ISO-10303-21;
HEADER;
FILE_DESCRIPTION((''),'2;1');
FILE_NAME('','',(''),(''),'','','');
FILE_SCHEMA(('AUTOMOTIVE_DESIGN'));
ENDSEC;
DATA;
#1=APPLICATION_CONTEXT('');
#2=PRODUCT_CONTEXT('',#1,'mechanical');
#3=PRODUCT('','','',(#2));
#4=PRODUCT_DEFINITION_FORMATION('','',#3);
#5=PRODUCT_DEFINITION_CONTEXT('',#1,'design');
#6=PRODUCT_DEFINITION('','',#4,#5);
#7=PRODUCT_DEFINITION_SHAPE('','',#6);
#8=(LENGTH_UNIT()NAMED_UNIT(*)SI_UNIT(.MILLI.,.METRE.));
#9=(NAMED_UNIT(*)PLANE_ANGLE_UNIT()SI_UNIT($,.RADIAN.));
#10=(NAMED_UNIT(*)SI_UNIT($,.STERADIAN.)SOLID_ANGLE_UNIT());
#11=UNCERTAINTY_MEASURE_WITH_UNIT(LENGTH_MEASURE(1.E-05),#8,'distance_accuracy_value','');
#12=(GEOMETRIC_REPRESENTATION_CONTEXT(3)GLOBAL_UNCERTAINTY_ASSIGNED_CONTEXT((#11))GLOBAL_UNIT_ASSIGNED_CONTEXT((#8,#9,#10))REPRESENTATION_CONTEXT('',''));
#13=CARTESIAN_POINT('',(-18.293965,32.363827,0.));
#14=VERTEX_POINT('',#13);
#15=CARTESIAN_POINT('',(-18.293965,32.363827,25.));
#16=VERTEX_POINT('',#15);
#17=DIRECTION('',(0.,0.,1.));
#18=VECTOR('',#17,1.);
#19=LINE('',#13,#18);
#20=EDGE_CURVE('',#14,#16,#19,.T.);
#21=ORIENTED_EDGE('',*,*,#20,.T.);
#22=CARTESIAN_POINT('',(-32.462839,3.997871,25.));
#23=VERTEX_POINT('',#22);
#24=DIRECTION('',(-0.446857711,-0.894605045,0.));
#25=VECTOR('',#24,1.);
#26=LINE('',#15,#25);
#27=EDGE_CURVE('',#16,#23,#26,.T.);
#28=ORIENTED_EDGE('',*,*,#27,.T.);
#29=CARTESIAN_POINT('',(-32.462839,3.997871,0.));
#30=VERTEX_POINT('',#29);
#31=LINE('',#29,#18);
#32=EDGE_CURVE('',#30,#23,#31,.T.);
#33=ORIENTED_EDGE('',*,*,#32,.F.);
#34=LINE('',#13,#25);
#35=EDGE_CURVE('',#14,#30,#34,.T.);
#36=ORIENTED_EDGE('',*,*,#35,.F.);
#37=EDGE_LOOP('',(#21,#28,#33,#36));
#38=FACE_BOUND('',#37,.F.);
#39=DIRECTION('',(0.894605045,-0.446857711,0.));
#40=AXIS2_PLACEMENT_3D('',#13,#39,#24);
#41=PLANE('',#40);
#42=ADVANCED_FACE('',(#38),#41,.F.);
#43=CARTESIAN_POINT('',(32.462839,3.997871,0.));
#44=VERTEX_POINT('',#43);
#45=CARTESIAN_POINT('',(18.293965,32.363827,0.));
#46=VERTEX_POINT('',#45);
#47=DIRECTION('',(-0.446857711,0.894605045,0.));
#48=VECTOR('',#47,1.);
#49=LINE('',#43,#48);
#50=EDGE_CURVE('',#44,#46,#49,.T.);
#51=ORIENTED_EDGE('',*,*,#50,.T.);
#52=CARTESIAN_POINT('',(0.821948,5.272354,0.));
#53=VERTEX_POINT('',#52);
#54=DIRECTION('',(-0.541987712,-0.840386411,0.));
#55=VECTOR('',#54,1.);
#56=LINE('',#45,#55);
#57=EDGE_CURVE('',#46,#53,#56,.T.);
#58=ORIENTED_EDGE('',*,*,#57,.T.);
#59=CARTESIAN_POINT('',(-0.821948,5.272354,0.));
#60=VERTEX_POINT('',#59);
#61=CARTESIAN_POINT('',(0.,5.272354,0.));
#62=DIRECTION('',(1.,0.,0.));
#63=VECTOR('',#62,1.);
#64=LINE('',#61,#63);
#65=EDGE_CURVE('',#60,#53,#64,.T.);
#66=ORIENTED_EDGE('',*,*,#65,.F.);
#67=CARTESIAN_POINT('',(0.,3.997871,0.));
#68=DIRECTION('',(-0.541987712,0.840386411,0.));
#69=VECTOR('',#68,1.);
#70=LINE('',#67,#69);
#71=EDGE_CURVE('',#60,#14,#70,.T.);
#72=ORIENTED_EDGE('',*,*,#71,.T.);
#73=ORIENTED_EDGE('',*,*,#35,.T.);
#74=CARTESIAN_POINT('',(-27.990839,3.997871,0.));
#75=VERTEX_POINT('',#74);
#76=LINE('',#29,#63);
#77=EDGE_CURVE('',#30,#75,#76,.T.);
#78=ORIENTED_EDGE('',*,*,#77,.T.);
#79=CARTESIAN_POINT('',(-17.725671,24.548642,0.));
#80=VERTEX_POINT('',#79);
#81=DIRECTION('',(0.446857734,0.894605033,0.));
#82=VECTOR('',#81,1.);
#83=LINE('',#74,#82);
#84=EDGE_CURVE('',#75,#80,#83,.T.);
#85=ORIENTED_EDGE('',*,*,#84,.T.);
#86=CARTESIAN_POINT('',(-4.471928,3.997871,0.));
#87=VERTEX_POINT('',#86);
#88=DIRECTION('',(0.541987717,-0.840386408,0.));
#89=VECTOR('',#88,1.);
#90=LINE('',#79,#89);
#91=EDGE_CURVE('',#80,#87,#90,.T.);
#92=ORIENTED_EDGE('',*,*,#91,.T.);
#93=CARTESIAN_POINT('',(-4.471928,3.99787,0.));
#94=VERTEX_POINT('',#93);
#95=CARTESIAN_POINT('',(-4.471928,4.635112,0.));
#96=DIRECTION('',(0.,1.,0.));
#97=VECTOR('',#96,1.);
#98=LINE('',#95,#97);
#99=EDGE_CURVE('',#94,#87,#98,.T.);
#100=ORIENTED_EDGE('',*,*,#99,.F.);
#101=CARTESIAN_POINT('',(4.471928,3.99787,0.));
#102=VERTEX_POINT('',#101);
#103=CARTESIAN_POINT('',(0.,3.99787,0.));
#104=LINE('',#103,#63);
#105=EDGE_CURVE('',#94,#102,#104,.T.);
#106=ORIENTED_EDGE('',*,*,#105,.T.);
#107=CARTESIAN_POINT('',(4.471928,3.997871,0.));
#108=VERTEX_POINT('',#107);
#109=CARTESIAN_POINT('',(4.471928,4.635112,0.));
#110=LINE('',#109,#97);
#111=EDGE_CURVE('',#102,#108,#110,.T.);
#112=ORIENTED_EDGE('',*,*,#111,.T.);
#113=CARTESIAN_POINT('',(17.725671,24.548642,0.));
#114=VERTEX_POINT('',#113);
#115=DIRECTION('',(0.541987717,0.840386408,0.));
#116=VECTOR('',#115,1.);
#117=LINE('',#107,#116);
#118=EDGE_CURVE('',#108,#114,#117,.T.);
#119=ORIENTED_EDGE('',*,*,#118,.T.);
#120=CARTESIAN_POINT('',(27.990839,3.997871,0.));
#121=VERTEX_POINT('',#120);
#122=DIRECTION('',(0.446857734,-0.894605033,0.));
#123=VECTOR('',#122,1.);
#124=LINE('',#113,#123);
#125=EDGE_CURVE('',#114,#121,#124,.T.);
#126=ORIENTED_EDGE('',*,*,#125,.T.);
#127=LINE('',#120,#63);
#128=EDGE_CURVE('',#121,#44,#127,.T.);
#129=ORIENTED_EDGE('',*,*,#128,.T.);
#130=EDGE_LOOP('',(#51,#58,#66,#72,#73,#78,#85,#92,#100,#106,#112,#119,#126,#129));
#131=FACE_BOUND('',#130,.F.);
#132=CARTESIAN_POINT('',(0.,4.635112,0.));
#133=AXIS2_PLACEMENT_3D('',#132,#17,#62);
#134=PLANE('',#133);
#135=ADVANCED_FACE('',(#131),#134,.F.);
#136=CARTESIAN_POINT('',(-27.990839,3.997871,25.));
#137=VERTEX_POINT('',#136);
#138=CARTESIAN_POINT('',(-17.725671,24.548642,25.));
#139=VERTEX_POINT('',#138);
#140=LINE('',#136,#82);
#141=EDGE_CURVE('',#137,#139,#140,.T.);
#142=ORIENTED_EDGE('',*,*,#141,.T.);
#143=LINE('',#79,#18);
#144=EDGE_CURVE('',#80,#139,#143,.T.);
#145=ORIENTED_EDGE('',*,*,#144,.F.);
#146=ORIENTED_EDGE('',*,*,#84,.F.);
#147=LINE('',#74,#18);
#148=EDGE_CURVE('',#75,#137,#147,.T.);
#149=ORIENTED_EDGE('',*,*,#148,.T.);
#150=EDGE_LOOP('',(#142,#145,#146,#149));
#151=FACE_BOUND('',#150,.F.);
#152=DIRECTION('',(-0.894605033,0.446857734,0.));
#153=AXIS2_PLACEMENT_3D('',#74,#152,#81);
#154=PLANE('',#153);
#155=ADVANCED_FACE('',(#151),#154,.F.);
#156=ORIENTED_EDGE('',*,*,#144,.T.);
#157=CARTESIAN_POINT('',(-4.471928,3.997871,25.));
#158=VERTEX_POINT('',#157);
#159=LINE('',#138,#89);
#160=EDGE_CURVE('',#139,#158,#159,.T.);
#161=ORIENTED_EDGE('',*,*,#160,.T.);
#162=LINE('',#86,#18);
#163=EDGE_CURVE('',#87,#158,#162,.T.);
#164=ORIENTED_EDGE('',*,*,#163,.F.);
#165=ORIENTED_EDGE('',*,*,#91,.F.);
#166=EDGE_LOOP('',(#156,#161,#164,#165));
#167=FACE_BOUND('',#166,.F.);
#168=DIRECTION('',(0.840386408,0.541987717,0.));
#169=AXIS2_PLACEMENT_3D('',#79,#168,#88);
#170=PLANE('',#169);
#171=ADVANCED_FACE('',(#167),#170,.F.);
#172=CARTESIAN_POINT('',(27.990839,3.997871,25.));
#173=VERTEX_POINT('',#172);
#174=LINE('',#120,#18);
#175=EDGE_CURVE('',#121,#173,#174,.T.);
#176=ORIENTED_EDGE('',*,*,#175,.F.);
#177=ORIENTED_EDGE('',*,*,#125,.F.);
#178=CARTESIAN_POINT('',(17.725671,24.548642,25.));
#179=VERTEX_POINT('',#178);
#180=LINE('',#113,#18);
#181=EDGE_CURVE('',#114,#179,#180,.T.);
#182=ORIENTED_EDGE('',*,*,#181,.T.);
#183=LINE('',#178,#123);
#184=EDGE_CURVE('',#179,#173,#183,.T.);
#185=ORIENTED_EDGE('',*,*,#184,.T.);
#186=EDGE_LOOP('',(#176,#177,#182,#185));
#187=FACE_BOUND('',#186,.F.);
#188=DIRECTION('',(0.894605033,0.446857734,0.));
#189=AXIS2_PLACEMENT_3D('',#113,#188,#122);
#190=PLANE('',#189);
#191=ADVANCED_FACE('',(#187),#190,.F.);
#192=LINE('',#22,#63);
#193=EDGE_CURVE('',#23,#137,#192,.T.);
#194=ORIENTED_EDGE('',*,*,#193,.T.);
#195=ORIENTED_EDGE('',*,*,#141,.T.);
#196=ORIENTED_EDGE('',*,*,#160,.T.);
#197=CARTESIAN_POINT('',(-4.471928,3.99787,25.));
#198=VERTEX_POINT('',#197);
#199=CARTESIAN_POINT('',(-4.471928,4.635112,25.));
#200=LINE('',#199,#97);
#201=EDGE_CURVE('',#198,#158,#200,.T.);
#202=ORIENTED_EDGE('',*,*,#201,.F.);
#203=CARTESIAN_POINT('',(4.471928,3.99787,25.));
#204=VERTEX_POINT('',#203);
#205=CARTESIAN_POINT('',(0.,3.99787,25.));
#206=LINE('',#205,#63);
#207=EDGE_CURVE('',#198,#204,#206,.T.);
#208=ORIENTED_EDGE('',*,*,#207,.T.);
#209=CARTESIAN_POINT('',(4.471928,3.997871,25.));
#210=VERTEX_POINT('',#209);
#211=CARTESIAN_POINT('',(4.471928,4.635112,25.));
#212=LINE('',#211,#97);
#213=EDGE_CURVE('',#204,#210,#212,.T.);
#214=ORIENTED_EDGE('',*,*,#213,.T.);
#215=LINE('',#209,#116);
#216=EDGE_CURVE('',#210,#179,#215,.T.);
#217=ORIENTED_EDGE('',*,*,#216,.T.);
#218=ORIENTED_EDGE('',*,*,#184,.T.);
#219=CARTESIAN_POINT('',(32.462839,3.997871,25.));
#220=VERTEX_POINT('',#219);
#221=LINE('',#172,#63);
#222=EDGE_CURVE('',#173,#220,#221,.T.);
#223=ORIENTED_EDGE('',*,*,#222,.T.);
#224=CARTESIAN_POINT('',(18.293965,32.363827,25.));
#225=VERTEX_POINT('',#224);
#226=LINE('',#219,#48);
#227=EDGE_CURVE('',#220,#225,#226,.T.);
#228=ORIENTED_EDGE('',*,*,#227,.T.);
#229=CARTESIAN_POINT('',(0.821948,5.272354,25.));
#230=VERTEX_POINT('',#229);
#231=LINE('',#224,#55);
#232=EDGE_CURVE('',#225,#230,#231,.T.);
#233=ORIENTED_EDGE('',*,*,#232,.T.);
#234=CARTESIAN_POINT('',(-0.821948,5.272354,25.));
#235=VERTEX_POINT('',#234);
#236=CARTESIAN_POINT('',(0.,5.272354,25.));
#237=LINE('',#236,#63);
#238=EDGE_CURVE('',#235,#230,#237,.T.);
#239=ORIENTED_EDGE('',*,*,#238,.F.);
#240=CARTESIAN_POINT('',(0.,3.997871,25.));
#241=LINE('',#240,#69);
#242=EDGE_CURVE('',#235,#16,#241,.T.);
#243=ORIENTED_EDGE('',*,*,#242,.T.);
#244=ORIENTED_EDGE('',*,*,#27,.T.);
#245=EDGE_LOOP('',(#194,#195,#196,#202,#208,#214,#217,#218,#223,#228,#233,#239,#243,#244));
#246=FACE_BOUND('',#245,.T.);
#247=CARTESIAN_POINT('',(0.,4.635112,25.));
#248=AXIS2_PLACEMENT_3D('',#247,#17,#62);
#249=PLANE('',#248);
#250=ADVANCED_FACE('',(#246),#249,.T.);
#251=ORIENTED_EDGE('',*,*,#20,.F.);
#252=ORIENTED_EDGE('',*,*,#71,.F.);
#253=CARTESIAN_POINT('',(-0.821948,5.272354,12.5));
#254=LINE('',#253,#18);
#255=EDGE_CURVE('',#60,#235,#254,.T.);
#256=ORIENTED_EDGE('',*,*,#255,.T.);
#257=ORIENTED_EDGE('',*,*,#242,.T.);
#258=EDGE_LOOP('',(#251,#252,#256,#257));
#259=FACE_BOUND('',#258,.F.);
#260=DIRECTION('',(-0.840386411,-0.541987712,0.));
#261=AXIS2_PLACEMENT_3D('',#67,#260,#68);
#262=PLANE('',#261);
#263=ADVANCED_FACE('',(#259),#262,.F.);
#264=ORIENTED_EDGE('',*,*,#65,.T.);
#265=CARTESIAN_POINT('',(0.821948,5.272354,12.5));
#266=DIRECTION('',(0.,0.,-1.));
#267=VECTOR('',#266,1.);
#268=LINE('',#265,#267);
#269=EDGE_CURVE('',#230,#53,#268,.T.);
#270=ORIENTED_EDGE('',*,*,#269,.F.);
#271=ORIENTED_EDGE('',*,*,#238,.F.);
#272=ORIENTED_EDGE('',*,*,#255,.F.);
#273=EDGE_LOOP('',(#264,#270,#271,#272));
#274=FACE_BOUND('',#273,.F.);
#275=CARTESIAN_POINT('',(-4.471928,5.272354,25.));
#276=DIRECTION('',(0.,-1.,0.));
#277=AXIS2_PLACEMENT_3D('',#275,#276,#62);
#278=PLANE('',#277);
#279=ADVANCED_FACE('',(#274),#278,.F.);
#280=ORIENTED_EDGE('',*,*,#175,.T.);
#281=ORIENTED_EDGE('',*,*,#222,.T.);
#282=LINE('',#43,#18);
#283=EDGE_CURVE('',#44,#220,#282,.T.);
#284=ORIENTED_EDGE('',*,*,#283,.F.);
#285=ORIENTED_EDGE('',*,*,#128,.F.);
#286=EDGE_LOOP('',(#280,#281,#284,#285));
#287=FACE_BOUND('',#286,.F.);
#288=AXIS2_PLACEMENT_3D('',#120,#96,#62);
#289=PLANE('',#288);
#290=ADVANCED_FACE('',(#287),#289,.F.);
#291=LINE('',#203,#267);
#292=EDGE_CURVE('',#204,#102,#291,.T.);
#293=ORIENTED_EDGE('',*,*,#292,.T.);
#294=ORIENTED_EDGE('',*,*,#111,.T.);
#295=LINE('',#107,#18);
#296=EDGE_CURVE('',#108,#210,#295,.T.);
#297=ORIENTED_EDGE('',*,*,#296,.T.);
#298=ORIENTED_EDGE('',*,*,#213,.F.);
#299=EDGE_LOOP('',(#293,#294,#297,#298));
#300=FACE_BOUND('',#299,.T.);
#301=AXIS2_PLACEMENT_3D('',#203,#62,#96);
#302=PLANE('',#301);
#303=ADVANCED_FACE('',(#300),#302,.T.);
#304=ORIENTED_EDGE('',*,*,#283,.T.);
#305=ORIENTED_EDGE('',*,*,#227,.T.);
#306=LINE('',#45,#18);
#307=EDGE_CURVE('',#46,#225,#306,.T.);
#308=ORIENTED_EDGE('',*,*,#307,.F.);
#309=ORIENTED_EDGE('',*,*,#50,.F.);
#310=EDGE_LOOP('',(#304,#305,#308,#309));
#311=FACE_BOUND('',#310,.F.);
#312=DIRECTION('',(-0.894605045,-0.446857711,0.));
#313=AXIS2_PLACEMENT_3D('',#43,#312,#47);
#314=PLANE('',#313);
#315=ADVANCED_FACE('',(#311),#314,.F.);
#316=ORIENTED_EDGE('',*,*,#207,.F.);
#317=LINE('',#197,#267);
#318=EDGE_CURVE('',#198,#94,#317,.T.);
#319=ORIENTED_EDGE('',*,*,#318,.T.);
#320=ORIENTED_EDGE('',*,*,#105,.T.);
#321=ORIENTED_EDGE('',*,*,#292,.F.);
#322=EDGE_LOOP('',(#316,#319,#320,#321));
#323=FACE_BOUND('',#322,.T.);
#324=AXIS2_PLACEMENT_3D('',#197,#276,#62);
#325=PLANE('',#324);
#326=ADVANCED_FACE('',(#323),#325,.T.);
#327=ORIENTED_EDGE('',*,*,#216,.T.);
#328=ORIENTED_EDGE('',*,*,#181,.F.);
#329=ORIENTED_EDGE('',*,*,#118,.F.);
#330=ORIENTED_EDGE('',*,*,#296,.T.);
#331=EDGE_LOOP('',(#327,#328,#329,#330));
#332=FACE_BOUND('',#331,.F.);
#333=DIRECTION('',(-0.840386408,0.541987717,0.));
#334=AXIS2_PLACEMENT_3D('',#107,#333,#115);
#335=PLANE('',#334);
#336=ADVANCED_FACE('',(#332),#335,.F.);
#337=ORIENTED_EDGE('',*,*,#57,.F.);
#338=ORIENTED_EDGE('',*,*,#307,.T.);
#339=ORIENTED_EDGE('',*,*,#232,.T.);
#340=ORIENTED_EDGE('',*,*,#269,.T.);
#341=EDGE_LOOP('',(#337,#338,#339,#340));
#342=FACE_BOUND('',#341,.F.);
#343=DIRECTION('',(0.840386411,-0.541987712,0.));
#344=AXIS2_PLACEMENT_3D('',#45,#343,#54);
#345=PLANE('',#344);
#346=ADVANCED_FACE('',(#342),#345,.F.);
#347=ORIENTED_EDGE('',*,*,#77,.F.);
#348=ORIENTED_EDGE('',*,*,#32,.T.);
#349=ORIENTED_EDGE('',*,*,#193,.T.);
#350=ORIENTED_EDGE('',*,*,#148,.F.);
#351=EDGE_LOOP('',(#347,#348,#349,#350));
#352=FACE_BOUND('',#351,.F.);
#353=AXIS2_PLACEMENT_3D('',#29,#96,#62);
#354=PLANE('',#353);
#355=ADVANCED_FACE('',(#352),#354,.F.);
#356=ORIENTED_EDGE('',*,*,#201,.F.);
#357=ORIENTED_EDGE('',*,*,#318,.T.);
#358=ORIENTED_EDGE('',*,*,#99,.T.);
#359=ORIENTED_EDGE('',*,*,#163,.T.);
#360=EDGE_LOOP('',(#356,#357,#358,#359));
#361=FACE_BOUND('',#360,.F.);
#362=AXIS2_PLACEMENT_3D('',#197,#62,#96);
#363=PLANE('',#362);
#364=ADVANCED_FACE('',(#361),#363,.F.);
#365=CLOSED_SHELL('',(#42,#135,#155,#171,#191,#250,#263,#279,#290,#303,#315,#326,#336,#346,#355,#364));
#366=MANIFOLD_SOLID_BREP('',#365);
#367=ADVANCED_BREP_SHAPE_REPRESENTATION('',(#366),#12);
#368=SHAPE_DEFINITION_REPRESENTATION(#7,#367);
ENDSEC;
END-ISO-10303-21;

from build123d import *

# Parameters (mm, degrees)
F1_DEPTH = 25
F2_W     = 8.943856
F2_H     = 1.274483
F3_DEPTH = 25


with BuildPart() as f1:
    # F0 (on Top) → F1 (new body)
    with BuildSketch(Plane.XY):
        Polygon((-4.471928, 3.997871), (0, 3.997871), (-18.293965, 32.363827), (-32.462839, 3.997871), (-27.990839, 3.997871), (-17.725671, 24.548642), align=None)
        Polygon((18.293965, 32.363827), (0, 3.997871), (4.471928, 3.997871), (17.725671, 24.548642), (27.990839, 3.997871), (32.462839, 3.997871), align=None)
    extrude(amount=F1_DEPTH)

    # F2 (on face) → F3 (join)
    with BuildSketch(Plane.XY.offset(25)):
        with Locations((0, 4.635112)):
            Rectangle(F2_W, F2_H)
    extrude(amount=-F3_DEPTH)


solid = f1.part
